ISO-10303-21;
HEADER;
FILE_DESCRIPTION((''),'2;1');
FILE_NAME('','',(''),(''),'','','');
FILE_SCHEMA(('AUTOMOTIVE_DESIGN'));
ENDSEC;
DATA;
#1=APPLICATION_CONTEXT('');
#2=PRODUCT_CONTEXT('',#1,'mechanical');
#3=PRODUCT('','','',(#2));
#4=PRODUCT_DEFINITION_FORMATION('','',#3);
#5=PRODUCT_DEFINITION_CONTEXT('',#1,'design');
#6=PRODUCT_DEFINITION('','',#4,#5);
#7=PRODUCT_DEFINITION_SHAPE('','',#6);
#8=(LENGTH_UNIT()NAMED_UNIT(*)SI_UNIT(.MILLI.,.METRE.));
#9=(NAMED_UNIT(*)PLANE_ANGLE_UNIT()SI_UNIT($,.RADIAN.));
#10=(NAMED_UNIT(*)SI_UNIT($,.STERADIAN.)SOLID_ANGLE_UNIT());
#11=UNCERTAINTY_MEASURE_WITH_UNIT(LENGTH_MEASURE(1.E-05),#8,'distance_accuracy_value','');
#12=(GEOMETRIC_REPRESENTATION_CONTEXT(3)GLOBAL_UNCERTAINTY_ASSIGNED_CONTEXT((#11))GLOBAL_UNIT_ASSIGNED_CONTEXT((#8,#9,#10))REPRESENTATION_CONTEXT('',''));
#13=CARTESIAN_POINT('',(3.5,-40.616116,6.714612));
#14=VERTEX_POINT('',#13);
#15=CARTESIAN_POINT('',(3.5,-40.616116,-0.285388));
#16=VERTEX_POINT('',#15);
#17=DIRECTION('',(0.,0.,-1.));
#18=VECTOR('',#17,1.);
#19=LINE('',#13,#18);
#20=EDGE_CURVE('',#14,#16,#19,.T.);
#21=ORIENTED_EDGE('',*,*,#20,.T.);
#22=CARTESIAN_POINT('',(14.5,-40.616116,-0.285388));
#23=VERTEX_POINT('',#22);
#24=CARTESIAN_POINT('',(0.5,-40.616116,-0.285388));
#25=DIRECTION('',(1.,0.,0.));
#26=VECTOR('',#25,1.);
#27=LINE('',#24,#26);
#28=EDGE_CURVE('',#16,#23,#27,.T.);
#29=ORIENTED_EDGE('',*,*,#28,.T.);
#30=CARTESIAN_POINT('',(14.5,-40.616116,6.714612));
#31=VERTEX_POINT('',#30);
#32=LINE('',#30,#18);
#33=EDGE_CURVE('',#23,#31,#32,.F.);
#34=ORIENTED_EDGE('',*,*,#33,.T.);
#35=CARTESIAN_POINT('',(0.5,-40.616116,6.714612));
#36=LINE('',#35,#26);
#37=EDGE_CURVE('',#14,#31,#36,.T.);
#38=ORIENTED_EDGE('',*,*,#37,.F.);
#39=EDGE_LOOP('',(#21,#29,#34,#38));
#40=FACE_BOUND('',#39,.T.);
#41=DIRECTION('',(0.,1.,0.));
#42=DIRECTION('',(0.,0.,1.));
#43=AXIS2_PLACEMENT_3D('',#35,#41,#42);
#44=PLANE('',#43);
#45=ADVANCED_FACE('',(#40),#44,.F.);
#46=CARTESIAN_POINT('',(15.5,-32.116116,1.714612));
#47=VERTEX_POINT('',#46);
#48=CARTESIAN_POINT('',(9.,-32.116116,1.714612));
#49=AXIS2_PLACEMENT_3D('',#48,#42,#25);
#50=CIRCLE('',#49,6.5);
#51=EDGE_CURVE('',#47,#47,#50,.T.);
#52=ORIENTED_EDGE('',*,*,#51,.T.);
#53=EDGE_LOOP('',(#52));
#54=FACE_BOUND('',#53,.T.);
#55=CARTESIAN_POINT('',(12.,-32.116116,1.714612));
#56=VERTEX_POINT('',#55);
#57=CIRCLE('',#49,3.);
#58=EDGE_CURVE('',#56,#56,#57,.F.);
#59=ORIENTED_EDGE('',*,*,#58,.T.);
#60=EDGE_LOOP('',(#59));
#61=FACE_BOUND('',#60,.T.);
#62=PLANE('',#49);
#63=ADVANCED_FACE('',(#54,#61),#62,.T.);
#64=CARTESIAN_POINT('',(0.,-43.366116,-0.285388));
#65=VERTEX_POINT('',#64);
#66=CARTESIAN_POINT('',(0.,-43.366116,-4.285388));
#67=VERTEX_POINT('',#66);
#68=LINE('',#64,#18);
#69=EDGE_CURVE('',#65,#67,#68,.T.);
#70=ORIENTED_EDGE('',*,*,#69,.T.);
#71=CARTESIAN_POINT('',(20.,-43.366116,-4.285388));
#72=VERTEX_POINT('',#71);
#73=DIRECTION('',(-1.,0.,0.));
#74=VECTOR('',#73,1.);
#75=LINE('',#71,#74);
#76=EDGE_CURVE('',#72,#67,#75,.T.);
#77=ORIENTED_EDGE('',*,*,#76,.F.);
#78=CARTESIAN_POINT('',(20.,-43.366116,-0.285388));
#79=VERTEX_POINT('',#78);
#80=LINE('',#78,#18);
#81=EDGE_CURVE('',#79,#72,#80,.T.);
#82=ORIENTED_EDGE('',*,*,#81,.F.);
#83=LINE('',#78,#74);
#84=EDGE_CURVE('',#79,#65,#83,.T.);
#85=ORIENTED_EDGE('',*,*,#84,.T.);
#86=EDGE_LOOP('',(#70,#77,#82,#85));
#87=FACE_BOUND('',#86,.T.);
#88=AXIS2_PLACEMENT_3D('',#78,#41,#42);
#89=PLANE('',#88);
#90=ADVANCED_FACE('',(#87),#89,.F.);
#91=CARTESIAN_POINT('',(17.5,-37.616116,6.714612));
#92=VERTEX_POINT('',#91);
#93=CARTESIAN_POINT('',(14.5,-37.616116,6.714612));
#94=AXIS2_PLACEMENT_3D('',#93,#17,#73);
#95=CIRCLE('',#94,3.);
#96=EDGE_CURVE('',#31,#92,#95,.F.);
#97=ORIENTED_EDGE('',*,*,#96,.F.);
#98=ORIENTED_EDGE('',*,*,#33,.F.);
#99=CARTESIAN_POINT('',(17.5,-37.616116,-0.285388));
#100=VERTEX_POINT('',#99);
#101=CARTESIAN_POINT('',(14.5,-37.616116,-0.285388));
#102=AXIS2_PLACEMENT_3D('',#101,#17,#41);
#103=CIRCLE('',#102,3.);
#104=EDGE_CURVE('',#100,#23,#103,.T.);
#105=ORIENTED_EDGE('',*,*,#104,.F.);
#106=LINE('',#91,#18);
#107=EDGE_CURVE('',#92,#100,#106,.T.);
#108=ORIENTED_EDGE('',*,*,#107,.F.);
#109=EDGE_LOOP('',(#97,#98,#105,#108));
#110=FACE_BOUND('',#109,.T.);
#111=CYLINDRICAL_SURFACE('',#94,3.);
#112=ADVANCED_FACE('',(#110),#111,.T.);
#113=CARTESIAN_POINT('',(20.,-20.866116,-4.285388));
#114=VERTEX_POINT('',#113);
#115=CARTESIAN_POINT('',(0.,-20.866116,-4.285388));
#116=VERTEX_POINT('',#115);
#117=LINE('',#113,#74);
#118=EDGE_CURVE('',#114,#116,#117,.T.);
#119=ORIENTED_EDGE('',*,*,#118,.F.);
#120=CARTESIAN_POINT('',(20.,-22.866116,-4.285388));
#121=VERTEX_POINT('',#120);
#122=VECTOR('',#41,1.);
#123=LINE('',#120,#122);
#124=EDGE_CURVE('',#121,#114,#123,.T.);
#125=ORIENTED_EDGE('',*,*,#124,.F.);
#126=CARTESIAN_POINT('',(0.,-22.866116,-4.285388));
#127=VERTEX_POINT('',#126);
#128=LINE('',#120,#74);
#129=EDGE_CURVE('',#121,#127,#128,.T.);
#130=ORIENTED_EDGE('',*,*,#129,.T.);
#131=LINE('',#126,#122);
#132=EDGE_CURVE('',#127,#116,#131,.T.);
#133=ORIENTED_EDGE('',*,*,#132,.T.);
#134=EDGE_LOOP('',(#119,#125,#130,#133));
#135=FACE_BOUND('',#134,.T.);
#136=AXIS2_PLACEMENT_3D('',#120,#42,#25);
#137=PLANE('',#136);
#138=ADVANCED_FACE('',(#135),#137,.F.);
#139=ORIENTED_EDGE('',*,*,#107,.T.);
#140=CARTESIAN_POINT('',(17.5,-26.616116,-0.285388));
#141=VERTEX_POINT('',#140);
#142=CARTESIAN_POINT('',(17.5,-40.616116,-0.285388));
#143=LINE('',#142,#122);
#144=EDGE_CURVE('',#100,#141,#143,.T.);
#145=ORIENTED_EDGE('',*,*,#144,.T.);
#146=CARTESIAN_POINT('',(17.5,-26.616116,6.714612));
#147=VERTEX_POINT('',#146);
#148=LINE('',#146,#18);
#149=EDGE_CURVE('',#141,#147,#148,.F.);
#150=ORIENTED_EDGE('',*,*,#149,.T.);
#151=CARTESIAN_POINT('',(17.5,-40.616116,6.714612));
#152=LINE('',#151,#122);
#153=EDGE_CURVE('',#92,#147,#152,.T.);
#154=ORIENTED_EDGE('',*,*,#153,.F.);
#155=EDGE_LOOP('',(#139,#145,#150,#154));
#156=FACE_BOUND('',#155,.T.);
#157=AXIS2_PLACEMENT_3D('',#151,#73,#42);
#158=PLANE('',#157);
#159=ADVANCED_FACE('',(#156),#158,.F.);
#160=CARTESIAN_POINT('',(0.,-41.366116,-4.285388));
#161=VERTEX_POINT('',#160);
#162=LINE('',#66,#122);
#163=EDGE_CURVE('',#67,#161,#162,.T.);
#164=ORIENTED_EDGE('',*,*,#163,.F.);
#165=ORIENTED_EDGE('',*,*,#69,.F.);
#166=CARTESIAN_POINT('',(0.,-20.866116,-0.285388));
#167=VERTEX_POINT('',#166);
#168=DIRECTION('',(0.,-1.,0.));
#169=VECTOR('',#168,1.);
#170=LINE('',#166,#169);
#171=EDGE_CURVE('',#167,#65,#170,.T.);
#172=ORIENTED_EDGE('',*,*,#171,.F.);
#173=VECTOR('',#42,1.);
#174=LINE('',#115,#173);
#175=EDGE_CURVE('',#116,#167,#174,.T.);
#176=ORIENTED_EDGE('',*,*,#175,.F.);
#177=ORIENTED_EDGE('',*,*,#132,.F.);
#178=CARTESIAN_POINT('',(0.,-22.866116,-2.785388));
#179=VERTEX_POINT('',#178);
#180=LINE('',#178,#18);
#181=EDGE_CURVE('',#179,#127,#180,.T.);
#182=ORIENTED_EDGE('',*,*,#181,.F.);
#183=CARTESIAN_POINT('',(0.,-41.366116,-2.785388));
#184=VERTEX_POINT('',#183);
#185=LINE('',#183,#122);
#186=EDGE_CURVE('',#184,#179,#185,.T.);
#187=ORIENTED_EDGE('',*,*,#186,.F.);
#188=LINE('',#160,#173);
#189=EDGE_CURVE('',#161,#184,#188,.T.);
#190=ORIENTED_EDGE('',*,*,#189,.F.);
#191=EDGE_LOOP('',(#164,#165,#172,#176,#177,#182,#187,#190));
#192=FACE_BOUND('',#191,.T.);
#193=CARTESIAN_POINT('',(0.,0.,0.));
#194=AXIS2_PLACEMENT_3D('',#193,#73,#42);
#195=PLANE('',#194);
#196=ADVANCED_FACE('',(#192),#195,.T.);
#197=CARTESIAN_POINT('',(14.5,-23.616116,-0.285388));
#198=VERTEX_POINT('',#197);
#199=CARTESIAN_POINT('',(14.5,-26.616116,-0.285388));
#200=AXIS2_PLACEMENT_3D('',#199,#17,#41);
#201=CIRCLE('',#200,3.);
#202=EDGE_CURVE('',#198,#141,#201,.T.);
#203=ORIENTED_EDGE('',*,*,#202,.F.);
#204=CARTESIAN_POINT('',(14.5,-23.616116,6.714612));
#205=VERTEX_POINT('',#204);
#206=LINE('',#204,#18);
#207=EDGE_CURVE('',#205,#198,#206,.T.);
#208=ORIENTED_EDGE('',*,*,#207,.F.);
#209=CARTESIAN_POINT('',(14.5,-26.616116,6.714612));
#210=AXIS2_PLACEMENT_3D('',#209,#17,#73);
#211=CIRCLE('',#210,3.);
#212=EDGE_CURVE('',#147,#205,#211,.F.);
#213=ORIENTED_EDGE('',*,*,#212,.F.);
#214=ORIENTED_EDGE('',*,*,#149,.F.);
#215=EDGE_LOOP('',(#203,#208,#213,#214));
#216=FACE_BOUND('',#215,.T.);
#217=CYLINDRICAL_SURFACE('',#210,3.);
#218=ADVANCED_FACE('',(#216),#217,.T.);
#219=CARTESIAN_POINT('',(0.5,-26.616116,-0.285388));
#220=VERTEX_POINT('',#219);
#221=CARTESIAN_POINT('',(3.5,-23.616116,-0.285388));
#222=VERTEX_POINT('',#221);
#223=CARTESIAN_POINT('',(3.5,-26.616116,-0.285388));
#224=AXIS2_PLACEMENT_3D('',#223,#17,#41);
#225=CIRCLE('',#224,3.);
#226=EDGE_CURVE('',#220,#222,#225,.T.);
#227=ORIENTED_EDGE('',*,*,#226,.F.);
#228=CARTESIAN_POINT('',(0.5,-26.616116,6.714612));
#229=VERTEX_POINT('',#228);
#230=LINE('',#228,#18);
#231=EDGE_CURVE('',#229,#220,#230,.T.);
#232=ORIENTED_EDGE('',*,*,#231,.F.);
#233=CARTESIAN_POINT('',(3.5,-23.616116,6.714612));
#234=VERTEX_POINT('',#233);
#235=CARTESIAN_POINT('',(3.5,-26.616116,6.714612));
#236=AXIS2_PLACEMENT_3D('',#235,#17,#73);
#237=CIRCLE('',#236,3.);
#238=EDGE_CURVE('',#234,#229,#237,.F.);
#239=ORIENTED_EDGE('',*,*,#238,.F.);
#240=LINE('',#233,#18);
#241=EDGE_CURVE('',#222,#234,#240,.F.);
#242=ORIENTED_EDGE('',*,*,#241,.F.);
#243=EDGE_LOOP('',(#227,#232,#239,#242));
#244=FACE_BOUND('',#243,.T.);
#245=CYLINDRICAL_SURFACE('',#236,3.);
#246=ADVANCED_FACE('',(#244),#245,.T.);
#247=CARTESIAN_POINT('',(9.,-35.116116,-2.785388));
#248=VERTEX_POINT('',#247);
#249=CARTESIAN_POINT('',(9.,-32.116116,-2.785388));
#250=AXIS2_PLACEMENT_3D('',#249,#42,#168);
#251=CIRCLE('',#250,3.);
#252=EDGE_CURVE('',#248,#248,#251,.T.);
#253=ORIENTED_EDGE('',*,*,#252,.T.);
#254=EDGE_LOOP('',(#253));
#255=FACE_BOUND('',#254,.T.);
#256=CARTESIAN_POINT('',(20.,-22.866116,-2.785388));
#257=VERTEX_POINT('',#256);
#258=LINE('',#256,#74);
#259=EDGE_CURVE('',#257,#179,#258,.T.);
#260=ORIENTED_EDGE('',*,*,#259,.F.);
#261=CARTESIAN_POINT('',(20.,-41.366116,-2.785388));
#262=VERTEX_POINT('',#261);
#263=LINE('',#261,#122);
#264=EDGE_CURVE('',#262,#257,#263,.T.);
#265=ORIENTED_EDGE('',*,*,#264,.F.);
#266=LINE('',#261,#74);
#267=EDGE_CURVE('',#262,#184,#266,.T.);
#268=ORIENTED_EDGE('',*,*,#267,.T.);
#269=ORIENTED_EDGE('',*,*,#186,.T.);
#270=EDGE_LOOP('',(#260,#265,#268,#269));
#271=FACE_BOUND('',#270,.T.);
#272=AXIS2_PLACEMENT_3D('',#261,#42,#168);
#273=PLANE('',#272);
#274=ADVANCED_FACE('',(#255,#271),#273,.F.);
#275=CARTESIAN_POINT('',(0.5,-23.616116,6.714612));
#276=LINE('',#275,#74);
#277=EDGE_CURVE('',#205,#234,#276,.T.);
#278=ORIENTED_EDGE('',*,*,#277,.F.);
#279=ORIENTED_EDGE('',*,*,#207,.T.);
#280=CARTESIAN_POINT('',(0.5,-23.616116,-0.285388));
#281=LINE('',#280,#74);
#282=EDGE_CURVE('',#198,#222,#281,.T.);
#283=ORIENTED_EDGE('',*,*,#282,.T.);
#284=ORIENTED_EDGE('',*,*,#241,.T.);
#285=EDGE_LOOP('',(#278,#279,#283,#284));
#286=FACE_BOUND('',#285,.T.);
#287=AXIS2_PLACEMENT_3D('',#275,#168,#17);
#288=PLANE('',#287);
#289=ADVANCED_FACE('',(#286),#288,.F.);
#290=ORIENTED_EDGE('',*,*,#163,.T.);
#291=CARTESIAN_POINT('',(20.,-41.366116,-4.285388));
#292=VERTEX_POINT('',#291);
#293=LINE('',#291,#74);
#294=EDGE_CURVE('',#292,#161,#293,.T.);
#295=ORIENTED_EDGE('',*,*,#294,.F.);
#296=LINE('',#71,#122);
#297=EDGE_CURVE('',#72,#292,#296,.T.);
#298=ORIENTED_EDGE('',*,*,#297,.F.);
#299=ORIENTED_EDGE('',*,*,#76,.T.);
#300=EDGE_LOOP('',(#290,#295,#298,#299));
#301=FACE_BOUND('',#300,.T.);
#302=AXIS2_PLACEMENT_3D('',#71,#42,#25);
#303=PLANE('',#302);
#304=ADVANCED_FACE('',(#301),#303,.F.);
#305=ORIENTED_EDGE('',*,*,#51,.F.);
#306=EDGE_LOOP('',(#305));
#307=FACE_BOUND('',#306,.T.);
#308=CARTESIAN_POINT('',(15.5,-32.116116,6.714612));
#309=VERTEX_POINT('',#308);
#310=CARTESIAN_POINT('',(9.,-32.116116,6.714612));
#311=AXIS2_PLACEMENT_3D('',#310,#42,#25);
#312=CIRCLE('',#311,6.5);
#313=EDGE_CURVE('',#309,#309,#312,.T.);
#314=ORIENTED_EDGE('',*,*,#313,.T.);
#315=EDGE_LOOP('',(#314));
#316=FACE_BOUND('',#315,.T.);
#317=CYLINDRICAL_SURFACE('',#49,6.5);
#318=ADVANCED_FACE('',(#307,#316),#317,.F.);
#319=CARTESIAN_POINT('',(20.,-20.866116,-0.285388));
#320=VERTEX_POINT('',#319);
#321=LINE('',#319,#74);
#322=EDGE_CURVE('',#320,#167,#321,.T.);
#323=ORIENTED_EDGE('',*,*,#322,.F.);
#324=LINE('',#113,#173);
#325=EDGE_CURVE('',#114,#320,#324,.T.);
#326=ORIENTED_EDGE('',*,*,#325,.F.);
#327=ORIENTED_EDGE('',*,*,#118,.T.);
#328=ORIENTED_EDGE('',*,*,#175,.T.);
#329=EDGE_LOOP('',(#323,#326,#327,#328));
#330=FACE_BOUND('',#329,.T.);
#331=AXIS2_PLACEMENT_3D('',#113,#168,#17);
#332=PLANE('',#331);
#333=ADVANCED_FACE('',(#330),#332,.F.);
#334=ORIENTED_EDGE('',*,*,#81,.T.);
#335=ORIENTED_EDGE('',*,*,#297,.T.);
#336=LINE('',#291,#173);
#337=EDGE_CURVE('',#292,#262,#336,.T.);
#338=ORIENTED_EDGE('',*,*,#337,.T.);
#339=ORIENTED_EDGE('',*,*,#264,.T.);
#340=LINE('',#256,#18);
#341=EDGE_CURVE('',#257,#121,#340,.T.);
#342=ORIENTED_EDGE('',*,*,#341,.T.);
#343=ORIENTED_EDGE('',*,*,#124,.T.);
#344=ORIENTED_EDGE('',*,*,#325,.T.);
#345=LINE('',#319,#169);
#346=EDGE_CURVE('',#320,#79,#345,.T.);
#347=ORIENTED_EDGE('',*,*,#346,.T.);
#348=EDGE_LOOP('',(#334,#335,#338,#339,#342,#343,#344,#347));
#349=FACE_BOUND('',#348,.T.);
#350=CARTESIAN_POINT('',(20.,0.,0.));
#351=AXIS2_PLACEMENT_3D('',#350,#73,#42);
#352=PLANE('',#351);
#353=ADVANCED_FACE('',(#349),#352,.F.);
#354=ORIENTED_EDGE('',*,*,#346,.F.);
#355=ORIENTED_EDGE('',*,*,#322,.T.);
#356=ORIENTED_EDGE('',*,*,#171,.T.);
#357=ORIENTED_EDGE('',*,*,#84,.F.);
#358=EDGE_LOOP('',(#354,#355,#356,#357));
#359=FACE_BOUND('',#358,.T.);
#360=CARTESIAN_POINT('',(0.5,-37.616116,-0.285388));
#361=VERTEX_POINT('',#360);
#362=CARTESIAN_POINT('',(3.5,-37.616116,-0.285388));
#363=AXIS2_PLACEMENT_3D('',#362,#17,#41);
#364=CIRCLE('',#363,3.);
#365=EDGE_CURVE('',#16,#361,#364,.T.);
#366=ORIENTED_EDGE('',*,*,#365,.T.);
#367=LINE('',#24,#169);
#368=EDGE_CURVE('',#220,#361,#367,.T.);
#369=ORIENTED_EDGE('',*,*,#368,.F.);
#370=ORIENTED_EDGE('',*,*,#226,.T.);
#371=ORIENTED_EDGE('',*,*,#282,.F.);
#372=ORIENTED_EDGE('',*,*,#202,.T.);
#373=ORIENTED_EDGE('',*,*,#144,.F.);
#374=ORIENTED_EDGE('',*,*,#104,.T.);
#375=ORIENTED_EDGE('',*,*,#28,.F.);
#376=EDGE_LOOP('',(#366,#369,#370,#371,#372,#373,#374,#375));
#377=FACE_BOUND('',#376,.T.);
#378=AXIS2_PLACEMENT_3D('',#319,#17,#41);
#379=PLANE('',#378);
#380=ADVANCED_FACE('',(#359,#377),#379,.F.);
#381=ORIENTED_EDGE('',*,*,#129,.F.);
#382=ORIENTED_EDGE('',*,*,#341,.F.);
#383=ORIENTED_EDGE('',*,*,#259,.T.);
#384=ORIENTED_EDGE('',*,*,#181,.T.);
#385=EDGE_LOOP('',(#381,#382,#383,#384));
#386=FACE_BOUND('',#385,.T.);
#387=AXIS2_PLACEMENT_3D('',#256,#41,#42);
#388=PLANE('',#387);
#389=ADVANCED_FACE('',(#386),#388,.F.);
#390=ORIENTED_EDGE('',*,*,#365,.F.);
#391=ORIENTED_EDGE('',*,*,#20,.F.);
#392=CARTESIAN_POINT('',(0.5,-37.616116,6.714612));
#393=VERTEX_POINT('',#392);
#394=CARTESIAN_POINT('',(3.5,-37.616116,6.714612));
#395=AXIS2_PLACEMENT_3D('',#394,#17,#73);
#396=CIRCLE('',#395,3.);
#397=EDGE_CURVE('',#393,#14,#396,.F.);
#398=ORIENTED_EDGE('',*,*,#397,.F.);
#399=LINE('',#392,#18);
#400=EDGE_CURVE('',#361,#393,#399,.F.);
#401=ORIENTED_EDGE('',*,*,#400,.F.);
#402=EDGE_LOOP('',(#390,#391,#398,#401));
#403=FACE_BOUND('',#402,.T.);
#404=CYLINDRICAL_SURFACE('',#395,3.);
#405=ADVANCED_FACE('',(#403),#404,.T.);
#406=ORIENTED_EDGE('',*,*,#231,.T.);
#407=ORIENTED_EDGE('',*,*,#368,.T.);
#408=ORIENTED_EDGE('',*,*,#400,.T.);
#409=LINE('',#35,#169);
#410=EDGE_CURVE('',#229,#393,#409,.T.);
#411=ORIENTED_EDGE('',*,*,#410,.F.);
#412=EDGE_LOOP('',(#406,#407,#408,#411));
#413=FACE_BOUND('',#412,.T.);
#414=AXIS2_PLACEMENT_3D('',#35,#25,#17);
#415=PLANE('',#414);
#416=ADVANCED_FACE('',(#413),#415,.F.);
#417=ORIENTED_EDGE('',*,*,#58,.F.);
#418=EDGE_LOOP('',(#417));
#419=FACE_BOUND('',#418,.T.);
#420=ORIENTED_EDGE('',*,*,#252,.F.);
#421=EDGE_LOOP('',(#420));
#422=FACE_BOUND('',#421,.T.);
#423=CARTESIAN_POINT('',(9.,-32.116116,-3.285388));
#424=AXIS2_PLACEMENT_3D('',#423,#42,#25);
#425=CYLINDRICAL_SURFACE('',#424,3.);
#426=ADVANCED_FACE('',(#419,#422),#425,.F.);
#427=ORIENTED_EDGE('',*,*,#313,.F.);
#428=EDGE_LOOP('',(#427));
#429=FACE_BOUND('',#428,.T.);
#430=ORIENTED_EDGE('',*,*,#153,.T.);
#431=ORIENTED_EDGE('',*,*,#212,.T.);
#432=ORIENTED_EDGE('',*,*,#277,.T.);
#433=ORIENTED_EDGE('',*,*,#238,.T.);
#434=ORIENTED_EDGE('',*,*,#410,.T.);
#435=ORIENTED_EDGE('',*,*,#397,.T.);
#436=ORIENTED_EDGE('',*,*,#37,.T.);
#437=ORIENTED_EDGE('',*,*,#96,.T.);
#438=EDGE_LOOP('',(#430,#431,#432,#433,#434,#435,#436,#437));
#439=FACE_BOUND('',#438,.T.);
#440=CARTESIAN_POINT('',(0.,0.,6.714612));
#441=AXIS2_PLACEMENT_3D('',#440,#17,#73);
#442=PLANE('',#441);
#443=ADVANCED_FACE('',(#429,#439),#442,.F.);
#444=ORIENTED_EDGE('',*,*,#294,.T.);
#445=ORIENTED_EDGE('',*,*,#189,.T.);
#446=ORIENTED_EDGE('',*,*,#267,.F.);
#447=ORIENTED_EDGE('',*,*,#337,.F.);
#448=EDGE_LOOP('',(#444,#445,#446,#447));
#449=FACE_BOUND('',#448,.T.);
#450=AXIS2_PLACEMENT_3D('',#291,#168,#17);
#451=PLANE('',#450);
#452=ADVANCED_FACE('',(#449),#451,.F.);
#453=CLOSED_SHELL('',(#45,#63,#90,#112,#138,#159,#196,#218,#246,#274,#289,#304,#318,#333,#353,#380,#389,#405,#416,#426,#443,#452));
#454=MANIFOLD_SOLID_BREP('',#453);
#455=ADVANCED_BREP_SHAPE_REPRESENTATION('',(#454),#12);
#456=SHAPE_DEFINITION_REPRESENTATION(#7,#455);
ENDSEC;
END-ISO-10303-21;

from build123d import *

# Parameters (mm, degrees)
BOSS_EXTRUDE1_DEPTH = 20
SKETCH2_R           = 3
CUT_EXTRUDE1_DEPTH  = 3
BOSS_EXTRUDE2_START = 7
SKETCH3_W           = 17
SKETCH3_H           = 17
SKETCH3_R           = 3
BOSS_EXTRUDE2_DEPTH = 7
SKETCH4_R           = 6.5
CUT_EXTRUDE2_DEPTH  = 5
FILLET1_R           = 3


with BuildPart() as part:
    # Sketch1 → Boss-Extrude1 (new body)
    with BuildSketch(Plane(origin=(0, 0, 0), x_dir=(0, 0, -1), z_dir=(1, 0, 0))):
        Polygon((2.785388085, -22.866116346), (4.285388085, -22.866116346), (4.285388085, -20.866116346), (0.285388085, -20.866116346), (0.285388085, -43.366116346), (4.285388085, -43.366116346), (4.285388085, -41.366116346), (2.785388085, -41.366116346), align=None)
    extrude(amount=BOSS_EXTRUDE1_DEPTH)

    # Sketch2 → Cut-Extrude1 (cut)
    with BuildSketch(Plane.XY.offset(-0.285388085)):
        with Locations((9, -32.116116346)):
            Circle(SKETCH2_R)
    extrude(amount=-CUT_EXTRUDE1_DEPTH, mode=Mode.SUBTRACT)

    # Sketch3 → Boss-Extrude2 (add)
    with BuildSketch(Plane.XY.offset(-0.285388085).offset(BOSS_EXTRUDE2_START)):
        with Locations((9, -32.116116346)):
            Rectangle(SKETCH3_W, SKETCH3_H)
        with Locations((9, -32.116116346)):
            Circle(SKETCH3_R, mode=Mode.SUBTRACT)
    extrude(amount=-BOSS_EXTRUDE2_DEPTH)

    # Sketch4 → Cut-Extrude2 (cut)
    with BuildSketch(Plane.XY.offset(6.714611915)):
        with Locations((9, -32.116116346)):
            Circle(SKETCH4_R)
    extrude(amount=-CUT_EXTRUDE2_DEPTH, mode=Mode.SUBTRACT)

    # Fillet1
    fillet1_edges = [part.edges().sort_by_distance(p)[0] for p in [
        (0.5, -23.616116346, 3.214611915),
        (0.5, -40.616116346, 3.214611915),
        (17.5, -40.616116346, 3.214611915),
        (17.5, -23.616116346, 3.214611915),
    ]]
    fillet(fillet1_edges, radius=FILLET1_R)


solid = part.part
